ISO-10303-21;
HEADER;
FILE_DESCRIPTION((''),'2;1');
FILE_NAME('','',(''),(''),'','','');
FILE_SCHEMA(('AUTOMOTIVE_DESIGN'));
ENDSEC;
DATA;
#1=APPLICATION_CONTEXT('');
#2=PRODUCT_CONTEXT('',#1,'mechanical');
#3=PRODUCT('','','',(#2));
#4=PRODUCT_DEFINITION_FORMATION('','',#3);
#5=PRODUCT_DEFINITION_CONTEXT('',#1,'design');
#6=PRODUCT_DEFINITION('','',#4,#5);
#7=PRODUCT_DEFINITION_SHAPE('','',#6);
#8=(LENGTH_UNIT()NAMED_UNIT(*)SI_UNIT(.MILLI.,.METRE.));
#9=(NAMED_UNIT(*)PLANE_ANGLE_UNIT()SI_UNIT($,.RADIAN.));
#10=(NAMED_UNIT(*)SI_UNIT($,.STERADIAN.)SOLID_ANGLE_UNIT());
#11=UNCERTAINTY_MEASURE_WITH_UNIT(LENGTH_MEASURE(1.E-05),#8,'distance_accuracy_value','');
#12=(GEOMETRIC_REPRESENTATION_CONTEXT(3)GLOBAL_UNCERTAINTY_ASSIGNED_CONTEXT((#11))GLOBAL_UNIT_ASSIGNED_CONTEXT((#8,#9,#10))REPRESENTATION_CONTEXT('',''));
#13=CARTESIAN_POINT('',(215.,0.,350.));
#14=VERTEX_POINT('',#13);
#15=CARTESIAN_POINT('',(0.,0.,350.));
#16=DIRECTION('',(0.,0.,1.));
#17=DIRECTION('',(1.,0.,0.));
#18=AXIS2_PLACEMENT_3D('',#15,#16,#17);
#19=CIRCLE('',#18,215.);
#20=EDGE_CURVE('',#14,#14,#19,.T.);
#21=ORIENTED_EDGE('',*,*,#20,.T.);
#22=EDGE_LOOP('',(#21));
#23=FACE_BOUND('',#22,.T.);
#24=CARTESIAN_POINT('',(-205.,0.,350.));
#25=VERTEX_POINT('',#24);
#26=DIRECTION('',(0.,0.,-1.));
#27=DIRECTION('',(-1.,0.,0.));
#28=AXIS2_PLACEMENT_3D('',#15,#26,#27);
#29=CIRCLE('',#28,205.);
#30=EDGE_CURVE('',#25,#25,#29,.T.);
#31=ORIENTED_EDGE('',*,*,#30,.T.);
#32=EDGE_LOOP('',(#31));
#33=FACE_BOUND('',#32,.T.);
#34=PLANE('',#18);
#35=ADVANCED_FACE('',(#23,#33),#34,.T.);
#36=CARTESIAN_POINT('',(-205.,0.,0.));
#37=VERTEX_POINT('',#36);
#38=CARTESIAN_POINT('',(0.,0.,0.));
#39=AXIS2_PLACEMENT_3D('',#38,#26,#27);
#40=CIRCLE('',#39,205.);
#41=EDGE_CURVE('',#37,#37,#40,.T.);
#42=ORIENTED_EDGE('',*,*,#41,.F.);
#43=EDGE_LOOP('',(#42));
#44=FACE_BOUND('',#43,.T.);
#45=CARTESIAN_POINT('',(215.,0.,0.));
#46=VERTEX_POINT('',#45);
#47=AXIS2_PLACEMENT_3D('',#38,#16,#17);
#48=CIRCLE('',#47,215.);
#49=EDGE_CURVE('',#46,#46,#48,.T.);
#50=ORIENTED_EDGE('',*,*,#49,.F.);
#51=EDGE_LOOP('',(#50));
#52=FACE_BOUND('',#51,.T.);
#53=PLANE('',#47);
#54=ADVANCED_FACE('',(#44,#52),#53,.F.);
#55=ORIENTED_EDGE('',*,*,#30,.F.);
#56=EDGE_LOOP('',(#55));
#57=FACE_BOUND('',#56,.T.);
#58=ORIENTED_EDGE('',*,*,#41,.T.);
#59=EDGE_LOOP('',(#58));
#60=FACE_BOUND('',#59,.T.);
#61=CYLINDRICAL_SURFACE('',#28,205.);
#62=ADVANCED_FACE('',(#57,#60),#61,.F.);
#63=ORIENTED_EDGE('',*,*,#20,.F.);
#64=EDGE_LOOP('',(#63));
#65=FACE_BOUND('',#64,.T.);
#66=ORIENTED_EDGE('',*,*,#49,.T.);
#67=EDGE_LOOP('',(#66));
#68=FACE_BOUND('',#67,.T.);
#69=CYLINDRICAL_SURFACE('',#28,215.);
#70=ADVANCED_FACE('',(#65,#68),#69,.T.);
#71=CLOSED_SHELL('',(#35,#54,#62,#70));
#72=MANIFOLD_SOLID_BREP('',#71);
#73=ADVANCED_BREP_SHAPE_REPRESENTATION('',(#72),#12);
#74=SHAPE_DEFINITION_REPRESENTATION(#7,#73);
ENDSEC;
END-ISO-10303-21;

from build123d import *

# Parameters (mm, degrees)
SKETCH3_R           = 215
BOSS_EXTRUDE2_DEPTH = 350
SKETCH4_R           = 205
CUT_EXTRUDE1_DEPTH  = 350


with BuildPart() as part:
    # Sketch3 → Boss-Extrude2 (new body)
    with BuildSketch(Plane.XY):
        Circle(SKETCH3_R)
    extrude(amount=BOSS_EXTRUDE2_DEPTH)

    # Sketch4 → Cut-Extrude1 (cut)
    with BuildSketch(Plane(origin=(0, 0, 0), x_dir=(-1, 0, 0), z_dir=(0, 0, -1))):
        Circle(SKETCH4_R)
    extrude(amount=-CUT_EXTRUDE1_DEPTH, mode=Mode.SUBTRACT)


solid = part.part
